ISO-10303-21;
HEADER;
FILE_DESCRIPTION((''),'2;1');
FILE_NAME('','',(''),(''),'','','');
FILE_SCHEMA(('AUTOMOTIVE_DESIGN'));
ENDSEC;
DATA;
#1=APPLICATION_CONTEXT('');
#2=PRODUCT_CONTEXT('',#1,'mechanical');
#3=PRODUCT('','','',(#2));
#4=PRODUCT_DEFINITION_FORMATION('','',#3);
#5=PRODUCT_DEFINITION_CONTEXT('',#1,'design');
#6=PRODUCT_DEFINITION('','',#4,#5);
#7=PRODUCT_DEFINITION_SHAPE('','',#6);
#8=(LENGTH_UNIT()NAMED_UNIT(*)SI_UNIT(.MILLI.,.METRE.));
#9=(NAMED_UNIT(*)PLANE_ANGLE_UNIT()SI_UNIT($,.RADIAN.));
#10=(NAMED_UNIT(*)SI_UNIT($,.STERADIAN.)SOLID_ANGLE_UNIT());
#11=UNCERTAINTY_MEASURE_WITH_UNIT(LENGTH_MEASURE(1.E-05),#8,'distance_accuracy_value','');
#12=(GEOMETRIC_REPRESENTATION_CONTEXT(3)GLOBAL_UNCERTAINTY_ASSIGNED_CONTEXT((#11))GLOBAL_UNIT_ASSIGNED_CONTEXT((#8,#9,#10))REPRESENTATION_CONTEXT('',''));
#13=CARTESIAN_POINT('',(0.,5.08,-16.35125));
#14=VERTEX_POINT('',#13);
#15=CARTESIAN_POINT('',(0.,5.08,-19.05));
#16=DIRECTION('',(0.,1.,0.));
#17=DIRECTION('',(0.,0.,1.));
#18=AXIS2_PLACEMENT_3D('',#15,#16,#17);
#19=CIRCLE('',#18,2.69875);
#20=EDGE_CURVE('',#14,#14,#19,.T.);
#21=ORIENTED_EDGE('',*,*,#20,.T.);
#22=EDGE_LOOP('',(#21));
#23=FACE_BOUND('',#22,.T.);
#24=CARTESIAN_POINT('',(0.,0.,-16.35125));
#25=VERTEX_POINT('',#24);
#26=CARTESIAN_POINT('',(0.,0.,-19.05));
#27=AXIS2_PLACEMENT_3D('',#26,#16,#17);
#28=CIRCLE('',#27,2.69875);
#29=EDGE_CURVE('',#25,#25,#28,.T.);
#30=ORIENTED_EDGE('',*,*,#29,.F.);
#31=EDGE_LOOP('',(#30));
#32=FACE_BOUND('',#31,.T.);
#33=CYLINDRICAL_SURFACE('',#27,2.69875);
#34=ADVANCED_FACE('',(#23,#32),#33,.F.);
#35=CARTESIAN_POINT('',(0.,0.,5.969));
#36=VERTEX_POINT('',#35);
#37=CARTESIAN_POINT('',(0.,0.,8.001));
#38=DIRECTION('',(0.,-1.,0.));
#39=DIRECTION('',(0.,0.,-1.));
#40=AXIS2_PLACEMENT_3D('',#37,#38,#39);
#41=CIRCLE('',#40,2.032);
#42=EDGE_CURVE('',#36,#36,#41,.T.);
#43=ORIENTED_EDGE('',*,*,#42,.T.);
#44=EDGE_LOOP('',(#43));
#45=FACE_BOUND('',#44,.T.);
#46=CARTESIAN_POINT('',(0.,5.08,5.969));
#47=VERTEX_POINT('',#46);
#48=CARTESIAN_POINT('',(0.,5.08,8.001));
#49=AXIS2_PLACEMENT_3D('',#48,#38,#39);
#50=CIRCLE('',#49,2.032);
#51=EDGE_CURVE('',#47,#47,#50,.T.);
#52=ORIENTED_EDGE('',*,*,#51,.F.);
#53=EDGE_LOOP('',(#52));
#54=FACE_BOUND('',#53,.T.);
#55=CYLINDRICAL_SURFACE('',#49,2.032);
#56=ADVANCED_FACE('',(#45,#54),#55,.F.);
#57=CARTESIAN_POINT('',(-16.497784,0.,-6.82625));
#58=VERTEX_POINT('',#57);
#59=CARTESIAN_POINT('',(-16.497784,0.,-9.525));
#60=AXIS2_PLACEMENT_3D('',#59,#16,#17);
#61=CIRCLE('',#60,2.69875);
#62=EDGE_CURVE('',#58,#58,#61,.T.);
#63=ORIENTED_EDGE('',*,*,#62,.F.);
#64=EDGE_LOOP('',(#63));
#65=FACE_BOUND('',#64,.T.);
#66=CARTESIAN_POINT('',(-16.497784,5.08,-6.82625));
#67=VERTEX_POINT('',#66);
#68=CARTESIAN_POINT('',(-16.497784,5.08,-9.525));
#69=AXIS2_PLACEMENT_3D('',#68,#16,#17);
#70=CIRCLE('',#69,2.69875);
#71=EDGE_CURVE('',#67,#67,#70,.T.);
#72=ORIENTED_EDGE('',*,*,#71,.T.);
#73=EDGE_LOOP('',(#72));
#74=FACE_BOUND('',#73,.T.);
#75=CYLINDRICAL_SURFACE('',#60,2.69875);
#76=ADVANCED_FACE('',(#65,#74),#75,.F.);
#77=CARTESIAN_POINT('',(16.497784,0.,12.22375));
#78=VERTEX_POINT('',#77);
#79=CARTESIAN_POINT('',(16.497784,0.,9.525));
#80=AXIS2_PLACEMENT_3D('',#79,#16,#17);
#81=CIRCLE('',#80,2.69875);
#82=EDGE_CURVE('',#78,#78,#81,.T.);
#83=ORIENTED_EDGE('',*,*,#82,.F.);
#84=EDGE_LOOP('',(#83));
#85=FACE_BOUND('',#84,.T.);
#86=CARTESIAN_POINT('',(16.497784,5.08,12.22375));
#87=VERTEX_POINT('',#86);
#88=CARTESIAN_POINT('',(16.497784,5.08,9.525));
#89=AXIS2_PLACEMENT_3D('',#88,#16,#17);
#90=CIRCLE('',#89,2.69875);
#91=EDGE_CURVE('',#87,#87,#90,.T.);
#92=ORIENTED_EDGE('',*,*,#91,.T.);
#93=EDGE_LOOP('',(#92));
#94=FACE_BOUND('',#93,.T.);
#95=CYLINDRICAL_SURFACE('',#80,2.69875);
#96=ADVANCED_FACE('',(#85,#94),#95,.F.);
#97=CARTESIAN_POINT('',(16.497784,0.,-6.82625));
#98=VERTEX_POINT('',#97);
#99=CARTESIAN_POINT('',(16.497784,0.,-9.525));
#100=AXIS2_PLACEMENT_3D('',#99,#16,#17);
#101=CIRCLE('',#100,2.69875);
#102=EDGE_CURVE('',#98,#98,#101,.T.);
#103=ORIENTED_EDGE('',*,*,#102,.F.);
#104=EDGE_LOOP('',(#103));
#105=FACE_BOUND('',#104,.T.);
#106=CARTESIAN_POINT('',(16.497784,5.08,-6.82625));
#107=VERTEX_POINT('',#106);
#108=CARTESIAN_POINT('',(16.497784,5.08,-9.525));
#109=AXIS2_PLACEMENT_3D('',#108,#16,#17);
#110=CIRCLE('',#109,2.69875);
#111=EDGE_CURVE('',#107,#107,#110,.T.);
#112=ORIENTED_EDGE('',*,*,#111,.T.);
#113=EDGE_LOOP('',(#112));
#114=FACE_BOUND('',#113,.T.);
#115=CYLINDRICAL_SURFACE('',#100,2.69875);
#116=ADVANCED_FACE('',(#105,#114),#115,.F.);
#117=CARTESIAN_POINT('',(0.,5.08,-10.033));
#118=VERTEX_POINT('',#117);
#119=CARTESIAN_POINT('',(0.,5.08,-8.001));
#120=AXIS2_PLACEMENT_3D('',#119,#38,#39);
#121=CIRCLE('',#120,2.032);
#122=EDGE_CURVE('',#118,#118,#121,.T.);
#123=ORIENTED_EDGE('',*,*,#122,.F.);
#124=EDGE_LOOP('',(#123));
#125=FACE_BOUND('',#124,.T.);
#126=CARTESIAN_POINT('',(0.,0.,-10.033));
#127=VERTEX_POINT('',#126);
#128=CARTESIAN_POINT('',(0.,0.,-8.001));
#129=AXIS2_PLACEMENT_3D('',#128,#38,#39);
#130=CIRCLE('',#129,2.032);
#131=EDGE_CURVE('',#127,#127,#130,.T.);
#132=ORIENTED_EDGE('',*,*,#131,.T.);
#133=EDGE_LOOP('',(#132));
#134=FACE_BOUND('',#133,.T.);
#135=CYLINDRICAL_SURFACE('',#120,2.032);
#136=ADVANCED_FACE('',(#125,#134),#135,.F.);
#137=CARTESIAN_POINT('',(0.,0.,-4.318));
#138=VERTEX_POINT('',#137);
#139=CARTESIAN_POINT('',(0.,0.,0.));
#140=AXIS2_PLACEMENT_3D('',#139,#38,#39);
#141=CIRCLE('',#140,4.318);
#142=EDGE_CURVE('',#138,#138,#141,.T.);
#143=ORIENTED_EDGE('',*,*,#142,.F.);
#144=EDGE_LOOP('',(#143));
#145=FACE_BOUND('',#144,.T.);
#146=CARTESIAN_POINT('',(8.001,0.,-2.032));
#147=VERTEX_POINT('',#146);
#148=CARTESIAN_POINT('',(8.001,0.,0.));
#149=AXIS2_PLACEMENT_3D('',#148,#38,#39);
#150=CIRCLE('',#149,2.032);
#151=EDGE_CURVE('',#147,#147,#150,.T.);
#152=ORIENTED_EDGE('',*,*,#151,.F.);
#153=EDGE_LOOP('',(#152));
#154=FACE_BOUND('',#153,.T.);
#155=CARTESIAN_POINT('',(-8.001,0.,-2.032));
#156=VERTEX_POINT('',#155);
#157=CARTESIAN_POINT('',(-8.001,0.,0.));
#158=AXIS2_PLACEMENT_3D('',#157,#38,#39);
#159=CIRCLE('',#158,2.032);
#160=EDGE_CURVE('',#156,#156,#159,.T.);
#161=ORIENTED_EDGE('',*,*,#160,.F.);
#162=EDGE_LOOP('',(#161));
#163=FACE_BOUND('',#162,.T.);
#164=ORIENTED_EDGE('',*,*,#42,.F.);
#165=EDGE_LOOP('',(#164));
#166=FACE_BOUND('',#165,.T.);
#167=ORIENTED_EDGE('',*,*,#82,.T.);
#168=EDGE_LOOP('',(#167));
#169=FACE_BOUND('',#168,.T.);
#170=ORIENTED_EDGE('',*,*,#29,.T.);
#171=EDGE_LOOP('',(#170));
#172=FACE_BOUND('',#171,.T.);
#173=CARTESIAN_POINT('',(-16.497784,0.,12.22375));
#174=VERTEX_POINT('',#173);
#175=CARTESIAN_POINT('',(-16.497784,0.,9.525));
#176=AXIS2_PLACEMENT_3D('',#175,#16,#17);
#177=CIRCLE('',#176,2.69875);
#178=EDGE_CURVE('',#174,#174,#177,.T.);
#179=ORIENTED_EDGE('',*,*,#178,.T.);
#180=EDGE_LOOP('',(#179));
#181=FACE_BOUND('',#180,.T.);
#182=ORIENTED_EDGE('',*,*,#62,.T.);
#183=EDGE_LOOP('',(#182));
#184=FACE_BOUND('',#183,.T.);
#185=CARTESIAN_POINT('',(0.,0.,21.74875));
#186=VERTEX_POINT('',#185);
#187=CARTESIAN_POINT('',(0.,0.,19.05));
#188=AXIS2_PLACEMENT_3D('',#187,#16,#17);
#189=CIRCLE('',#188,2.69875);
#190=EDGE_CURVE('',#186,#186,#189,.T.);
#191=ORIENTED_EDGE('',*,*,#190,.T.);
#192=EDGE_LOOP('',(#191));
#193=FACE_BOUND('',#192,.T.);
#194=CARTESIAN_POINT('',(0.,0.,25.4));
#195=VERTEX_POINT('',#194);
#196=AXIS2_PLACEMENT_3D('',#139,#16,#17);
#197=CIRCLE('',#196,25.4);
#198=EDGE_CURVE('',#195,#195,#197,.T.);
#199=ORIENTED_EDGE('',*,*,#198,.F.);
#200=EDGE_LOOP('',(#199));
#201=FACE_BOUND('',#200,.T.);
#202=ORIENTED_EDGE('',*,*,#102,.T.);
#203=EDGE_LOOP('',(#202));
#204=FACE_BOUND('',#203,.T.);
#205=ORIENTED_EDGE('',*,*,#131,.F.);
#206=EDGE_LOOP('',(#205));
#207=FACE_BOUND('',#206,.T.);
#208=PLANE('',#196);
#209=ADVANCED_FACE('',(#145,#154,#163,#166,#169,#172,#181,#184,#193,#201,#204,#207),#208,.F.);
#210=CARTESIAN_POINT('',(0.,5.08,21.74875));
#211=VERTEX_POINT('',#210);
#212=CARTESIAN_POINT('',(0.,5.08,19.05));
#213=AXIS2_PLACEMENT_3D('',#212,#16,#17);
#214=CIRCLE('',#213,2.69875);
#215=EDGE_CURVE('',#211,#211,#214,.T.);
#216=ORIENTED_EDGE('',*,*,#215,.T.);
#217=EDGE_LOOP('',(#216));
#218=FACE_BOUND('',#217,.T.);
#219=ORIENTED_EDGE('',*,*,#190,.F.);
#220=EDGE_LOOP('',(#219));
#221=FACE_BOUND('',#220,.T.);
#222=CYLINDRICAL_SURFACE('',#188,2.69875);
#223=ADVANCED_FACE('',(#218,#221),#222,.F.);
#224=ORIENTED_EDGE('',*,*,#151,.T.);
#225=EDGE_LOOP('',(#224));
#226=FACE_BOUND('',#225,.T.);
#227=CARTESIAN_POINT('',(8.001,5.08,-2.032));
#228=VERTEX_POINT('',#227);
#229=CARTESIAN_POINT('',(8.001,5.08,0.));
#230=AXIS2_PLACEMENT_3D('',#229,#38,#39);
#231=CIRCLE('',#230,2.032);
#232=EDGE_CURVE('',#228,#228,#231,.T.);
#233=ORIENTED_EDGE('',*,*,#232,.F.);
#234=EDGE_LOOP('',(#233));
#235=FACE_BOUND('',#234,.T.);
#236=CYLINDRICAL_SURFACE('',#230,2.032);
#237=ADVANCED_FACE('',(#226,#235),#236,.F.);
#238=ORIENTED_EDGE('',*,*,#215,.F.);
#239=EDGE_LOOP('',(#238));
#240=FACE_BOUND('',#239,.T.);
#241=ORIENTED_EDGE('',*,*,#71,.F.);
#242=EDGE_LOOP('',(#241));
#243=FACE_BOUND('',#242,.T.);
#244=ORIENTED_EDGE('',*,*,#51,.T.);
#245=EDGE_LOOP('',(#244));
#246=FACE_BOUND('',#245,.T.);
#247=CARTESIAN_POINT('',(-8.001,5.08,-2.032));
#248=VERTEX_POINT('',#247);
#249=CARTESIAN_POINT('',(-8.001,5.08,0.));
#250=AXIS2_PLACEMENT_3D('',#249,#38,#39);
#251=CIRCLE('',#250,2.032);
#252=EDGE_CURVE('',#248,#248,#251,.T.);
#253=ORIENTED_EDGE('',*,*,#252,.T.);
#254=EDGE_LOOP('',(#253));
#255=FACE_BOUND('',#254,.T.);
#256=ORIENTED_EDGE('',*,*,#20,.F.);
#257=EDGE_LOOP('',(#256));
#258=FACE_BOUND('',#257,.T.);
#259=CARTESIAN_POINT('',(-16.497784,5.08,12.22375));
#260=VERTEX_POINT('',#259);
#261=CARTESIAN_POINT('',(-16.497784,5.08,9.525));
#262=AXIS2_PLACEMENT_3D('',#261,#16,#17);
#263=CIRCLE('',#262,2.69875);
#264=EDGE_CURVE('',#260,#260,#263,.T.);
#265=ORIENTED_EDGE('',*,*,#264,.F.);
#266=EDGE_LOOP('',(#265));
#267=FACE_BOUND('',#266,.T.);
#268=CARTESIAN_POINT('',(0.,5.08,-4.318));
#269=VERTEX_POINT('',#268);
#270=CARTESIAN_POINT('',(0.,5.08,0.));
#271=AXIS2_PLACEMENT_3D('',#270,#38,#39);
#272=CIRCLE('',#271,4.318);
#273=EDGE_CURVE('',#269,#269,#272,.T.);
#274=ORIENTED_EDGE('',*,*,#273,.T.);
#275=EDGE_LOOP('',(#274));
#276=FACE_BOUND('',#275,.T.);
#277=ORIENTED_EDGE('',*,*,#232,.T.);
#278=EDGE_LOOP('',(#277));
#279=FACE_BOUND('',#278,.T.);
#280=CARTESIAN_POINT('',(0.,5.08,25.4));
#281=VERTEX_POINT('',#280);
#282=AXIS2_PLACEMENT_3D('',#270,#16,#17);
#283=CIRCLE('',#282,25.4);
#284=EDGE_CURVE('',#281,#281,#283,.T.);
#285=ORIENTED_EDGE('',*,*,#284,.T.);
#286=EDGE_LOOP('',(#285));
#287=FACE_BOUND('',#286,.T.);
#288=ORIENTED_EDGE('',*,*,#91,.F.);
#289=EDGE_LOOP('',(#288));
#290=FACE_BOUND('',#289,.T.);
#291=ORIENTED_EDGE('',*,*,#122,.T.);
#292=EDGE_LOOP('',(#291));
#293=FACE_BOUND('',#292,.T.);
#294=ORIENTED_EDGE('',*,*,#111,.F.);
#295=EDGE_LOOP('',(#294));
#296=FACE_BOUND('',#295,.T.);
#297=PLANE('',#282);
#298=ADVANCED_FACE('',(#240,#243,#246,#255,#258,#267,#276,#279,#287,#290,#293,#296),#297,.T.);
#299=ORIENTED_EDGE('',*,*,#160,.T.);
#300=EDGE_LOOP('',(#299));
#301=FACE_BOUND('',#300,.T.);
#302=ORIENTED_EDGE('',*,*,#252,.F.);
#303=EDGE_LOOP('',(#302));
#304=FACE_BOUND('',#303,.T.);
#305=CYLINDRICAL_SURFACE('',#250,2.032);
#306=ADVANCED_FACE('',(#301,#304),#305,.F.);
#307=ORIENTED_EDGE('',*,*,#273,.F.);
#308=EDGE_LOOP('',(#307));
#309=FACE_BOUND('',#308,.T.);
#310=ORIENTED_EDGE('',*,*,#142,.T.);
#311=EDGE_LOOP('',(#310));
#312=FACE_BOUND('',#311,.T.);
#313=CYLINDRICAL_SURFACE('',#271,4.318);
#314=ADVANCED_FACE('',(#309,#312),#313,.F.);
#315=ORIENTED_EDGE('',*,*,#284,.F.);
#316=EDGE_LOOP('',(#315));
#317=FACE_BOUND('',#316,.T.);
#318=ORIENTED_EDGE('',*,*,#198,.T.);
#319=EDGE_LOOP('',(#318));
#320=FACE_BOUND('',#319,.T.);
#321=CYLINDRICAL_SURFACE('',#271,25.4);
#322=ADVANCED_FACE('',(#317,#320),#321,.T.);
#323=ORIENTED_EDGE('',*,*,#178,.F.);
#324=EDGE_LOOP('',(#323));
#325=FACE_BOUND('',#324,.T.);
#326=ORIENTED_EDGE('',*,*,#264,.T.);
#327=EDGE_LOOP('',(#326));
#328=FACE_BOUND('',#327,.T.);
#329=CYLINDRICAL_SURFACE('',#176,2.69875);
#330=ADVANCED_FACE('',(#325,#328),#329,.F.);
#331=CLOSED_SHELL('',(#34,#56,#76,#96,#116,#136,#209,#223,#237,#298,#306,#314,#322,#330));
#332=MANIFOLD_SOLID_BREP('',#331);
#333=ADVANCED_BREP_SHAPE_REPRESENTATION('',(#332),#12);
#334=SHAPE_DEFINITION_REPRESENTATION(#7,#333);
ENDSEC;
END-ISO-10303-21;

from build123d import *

# Parameters (mm, degrees)
SKETCH1_R           = 25.4
BOSS_EXTRUDE1_DEPTH = 5.08
SKETCH2_R           = 2.69875
CUT_EXTRUDE1_DEPTH  = 5.08
SKETCH3_R           = 4.318
SKETCH3_R_2         = 2.032
CUT_EXTRUDE2_DEPTH  = 5.08


with BuildPart() as part:
    # Sketch1 → Boss-Extrude1 (new body)
    with BuildSketch(Plane(origin=(0, 0, 0), x_dir=(1, 0, 0), z_dir=(0, 1, 0))):
        with Locations(Location((0, 0, 0), (0, 0, 270))):
            Circle(SKETCH1_R)
    extrude(amount=BOSS_EXTRUDE1_DEPTH)

    # Sketch2 → Cut-Extrude1 (cut)
    with BuildSketch(Plane(origin=(0, 5.08, 0), x_dir=(1, 0, 0), z_dir=(0, 1, 0))):
        with Locations(Location((0, -19.05, 0), (0, 0, 270))):
            Circle(SKETCH2_R)
        with Locations(Location((-16.497783942, -9.525, 0), (0, 0, 270))):
            Circle(SKETCH2_R)
        with Locations(Location((-16.497783942, 9.525, 0), (0, 0, 270))):
            Circle(SKETCH2_R)
        with Locations(Location((0, 19.05, 0), (0, 0, 270))):
            Circle(SKETCH2_R)
        with Locations(Location((16.497783942, 9.525, 0), (0, 0, 270))):
            Circle(SKETCH2_R)
        with Locations(Location((16.497783942, -9.525, 0), (0, 0, 270))):
            Circle(SKETCH2_R)
    extrude(amount=-CUT_EXTRUDE1_DEPTH, mode=Mode.SUBTRACT)

    # Sketch3 → Cut-Extrude2 (cut)
    with BuildSketch(Plane.XZ):
        with Locations(Location((0, 0, 0), (0, 0, 270))):
            Circle(SKETCH3_R)
        with Locations(Location((0, -8.001, 0), (0, 0, 270))):
            Circle(SKETCH3_R_2)
        with Locations(Location((-8.001, 0, 0), (0, 0, 270))):
            Circle(SKETCH3_R_2)
        with Locations(Location((0, 8.001, 0), (0, 0, 270))):
            Circle(SKETCH3_R_2)
        with Locations(Location((8.001, 0, 0), (0, 0, 270))):
            Circle(SKETCH3_R_2)
    extrude(amount=-CUT_EXTRUDE2_DEPTH, mode=Mode.SUBTRACT)


solid = part.part
